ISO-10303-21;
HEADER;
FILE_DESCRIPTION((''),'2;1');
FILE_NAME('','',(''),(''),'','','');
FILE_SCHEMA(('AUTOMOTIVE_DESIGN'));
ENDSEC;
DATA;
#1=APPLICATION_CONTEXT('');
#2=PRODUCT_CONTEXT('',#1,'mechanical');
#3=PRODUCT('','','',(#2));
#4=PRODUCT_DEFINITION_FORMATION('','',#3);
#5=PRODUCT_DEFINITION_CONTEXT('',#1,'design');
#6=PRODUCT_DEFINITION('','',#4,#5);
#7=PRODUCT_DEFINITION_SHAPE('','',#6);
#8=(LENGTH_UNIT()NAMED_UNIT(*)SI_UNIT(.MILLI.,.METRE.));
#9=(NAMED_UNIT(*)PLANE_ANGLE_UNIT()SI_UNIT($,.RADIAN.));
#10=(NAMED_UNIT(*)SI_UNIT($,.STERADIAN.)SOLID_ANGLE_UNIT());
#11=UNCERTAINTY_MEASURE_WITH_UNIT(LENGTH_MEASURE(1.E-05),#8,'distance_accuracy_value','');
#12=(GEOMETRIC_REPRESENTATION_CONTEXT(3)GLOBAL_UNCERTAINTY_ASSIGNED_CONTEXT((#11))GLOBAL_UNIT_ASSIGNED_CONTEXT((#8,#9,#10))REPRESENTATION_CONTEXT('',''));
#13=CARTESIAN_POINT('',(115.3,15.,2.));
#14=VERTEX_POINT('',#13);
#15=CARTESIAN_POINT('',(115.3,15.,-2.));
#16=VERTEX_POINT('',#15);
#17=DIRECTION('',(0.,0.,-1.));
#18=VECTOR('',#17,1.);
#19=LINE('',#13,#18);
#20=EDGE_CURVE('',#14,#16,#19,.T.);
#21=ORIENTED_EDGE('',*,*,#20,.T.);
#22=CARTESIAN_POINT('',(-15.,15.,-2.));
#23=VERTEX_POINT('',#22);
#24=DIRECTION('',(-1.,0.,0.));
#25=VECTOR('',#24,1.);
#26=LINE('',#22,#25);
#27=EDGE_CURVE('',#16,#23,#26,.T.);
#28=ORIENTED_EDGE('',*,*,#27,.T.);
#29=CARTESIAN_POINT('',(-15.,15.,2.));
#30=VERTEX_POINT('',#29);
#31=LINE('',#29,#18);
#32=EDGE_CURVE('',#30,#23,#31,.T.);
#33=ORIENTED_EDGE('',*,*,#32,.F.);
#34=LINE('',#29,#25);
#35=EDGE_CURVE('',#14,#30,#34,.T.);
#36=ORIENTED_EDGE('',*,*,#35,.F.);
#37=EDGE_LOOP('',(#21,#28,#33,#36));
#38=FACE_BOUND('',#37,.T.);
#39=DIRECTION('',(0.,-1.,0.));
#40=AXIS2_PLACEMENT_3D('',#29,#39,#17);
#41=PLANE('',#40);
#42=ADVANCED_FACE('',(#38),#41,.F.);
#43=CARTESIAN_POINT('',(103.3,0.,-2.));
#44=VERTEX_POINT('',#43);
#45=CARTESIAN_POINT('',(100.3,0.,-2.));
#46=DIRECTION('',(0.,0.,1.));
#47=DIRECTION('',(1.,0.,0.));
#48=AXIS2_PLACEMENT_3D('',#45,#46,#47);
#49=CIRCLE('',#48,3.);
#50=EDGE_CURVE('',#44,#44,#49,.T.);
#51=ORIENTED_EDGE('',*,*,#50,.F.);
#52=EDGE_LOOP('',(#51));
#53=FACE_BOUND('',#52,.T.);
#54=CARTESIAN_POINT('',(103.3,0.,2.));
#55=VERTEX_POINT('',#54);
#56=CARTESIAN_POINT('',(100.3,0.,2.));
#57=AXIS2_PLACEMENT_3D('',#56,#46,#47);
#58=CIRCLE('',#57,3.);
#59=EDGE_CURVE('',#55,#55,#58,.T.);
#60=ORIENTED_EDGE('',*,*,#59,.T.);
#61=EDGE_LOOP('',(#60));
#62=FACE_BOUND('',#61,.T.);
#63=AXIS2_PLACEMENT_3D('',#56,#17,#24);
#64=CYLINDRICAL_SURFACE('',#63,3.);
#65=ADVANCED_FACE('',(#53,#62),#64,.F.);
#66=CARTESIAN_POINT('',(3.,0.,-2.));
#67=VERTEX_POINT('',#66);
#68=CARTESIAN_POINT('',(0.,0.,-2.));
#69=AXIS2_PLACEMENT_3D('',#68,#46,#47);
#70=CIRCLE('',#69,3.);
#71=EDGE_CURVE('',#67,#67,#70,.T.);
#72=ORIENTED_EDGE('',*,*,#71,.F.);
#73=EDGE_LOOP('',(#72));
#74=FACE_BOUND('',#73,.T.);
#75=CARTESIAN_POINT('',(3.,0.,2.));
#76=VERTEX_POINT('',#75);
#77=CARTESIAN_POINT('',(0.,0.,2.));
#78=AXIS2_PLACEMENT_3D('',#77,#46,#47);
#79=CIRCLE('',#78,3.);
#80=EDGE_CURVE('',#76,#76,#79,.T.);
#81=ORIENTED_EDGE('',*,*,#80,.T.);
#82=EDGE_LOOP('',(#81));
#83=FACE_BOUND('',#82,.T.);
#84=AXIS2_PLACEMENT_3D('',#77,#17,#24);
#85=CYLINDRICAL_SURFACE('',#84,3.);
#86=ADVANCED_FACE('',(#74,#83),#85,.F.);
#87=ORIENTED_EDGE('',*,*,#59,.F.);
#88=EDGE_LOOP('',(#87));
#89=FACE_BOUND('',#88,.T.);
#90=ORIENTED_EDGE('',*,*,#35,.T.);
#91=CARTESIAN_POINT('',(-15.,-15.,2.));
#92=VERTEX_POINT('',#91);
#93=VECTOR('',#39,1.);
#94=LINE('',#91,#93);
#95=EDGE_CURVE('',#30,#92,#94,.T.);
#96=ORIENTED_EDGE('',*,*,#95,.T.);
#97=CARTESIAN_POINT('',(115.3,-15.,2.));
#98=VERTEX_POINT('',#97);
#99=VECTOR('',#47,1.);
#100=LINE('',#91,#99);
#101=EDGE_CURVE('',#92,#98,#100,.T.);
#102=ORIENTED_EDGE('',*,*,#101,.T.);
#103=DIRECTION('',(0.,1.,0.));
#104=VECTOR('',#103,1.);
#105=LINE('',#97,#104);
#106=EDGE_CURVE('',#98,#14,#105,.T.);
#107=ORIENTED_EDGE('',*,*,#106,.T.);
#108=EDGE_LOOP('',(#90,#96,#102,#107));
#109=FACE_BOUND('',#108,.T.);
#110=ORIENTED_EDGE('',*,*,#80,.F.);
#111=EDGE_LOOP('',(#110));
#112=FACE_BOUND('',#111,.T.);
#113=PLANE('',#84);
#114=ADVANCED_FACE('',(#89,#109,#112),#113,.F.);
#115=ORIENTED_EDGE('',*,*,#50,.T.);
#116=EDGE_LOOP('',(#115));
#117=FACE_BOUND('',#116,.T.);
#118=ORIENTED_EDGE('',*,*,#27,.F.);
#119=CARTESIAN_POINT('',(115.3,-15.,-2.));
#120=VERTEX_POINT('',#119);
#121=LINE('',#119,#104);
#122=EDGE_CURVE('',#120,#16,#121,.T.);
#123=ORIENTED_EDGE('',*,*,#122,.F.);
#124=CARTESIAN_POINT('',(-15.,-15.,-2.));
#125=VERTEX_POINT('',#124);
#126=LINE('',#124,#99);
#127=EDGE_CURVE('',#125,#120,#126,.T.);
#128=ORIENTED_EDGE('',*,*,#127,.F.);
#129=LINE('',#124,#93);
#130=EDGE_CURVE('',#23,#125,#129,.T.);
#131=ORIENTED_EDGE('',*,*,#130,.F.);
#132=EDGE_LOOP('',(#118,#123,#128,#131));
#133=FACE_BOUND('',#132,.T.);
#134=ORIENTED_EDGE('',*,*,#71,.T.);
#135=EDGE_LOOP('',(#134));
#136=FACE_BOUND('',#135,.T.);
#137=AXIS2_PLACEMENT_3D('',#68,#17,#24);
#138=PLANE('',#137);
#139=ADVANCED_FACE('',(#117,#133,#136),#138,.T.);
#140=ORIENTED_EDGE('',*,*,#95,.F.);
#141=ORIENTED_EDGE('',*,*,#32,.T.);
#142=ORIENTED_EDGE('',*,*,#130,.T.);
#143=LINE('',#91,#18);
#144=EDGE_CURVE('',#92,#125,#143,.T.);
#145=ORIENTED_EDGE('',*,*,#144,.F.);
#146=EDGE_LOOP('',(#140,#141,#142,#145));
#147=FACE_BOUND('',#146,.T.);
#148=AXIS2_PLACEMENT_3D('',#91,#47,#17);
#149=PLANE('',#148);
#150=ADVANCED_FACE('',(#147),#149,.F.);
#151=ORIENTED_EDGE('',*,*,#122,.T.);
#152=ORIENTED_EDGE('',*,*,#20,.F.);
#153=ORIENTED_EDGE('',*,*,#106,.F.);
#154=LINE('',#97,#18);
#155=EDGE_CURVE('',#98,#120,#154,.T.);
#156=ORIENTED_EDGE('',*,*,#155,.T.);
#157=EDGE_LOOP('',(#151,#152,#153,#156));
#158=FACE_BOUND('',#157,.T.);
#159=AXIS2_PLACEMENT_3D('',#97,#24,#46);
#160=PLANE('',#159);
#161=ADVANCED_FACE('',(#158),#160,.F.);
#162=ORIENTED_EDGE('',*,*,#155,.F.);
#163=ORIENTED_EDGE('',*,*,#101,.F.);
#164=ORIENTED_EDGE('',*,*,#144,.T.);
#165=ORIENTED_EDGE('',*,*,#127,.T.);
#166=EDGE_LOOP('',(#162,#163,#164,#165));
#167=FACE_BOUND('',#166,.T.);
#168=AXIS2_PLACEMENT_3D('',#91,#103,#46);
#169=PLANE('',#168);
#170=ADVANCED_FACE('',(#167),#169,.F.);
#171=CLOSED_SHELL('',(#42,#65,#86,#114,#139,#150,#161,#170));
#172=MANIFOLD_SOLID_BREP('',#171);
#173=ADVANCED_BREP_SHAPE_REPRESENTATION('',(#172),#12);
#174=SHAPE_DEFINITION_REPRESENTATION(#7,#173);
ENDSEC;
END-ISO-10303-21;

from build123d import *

# Parameters (mm, degrees)
SKETCH_1_W      = 130.3
SKETCH_1_H      = 30
SKETCH_1_R      = 3
EXTRUDE_1_DEPTH = 2


with BuildPart() as part:
    # 草图1 → 凸台-拉伸1 (new, symmetric)
    with BuildSketch(Plane.XY):
        with Locations((50.15, 0)):
            Rectangle(SKETCH_1_W, SKETCH_1_H)
        Circle(SKETCH_1_R, mode=Mode.SUBTRACT)
        with Locations((100.3, 0)):
            Circle(SKETCH_1_R, mode=Mode.SUBTRACT)
    extrude(amount=EXTRUDE_1_DEPTH, both=True)


solid = part.part
